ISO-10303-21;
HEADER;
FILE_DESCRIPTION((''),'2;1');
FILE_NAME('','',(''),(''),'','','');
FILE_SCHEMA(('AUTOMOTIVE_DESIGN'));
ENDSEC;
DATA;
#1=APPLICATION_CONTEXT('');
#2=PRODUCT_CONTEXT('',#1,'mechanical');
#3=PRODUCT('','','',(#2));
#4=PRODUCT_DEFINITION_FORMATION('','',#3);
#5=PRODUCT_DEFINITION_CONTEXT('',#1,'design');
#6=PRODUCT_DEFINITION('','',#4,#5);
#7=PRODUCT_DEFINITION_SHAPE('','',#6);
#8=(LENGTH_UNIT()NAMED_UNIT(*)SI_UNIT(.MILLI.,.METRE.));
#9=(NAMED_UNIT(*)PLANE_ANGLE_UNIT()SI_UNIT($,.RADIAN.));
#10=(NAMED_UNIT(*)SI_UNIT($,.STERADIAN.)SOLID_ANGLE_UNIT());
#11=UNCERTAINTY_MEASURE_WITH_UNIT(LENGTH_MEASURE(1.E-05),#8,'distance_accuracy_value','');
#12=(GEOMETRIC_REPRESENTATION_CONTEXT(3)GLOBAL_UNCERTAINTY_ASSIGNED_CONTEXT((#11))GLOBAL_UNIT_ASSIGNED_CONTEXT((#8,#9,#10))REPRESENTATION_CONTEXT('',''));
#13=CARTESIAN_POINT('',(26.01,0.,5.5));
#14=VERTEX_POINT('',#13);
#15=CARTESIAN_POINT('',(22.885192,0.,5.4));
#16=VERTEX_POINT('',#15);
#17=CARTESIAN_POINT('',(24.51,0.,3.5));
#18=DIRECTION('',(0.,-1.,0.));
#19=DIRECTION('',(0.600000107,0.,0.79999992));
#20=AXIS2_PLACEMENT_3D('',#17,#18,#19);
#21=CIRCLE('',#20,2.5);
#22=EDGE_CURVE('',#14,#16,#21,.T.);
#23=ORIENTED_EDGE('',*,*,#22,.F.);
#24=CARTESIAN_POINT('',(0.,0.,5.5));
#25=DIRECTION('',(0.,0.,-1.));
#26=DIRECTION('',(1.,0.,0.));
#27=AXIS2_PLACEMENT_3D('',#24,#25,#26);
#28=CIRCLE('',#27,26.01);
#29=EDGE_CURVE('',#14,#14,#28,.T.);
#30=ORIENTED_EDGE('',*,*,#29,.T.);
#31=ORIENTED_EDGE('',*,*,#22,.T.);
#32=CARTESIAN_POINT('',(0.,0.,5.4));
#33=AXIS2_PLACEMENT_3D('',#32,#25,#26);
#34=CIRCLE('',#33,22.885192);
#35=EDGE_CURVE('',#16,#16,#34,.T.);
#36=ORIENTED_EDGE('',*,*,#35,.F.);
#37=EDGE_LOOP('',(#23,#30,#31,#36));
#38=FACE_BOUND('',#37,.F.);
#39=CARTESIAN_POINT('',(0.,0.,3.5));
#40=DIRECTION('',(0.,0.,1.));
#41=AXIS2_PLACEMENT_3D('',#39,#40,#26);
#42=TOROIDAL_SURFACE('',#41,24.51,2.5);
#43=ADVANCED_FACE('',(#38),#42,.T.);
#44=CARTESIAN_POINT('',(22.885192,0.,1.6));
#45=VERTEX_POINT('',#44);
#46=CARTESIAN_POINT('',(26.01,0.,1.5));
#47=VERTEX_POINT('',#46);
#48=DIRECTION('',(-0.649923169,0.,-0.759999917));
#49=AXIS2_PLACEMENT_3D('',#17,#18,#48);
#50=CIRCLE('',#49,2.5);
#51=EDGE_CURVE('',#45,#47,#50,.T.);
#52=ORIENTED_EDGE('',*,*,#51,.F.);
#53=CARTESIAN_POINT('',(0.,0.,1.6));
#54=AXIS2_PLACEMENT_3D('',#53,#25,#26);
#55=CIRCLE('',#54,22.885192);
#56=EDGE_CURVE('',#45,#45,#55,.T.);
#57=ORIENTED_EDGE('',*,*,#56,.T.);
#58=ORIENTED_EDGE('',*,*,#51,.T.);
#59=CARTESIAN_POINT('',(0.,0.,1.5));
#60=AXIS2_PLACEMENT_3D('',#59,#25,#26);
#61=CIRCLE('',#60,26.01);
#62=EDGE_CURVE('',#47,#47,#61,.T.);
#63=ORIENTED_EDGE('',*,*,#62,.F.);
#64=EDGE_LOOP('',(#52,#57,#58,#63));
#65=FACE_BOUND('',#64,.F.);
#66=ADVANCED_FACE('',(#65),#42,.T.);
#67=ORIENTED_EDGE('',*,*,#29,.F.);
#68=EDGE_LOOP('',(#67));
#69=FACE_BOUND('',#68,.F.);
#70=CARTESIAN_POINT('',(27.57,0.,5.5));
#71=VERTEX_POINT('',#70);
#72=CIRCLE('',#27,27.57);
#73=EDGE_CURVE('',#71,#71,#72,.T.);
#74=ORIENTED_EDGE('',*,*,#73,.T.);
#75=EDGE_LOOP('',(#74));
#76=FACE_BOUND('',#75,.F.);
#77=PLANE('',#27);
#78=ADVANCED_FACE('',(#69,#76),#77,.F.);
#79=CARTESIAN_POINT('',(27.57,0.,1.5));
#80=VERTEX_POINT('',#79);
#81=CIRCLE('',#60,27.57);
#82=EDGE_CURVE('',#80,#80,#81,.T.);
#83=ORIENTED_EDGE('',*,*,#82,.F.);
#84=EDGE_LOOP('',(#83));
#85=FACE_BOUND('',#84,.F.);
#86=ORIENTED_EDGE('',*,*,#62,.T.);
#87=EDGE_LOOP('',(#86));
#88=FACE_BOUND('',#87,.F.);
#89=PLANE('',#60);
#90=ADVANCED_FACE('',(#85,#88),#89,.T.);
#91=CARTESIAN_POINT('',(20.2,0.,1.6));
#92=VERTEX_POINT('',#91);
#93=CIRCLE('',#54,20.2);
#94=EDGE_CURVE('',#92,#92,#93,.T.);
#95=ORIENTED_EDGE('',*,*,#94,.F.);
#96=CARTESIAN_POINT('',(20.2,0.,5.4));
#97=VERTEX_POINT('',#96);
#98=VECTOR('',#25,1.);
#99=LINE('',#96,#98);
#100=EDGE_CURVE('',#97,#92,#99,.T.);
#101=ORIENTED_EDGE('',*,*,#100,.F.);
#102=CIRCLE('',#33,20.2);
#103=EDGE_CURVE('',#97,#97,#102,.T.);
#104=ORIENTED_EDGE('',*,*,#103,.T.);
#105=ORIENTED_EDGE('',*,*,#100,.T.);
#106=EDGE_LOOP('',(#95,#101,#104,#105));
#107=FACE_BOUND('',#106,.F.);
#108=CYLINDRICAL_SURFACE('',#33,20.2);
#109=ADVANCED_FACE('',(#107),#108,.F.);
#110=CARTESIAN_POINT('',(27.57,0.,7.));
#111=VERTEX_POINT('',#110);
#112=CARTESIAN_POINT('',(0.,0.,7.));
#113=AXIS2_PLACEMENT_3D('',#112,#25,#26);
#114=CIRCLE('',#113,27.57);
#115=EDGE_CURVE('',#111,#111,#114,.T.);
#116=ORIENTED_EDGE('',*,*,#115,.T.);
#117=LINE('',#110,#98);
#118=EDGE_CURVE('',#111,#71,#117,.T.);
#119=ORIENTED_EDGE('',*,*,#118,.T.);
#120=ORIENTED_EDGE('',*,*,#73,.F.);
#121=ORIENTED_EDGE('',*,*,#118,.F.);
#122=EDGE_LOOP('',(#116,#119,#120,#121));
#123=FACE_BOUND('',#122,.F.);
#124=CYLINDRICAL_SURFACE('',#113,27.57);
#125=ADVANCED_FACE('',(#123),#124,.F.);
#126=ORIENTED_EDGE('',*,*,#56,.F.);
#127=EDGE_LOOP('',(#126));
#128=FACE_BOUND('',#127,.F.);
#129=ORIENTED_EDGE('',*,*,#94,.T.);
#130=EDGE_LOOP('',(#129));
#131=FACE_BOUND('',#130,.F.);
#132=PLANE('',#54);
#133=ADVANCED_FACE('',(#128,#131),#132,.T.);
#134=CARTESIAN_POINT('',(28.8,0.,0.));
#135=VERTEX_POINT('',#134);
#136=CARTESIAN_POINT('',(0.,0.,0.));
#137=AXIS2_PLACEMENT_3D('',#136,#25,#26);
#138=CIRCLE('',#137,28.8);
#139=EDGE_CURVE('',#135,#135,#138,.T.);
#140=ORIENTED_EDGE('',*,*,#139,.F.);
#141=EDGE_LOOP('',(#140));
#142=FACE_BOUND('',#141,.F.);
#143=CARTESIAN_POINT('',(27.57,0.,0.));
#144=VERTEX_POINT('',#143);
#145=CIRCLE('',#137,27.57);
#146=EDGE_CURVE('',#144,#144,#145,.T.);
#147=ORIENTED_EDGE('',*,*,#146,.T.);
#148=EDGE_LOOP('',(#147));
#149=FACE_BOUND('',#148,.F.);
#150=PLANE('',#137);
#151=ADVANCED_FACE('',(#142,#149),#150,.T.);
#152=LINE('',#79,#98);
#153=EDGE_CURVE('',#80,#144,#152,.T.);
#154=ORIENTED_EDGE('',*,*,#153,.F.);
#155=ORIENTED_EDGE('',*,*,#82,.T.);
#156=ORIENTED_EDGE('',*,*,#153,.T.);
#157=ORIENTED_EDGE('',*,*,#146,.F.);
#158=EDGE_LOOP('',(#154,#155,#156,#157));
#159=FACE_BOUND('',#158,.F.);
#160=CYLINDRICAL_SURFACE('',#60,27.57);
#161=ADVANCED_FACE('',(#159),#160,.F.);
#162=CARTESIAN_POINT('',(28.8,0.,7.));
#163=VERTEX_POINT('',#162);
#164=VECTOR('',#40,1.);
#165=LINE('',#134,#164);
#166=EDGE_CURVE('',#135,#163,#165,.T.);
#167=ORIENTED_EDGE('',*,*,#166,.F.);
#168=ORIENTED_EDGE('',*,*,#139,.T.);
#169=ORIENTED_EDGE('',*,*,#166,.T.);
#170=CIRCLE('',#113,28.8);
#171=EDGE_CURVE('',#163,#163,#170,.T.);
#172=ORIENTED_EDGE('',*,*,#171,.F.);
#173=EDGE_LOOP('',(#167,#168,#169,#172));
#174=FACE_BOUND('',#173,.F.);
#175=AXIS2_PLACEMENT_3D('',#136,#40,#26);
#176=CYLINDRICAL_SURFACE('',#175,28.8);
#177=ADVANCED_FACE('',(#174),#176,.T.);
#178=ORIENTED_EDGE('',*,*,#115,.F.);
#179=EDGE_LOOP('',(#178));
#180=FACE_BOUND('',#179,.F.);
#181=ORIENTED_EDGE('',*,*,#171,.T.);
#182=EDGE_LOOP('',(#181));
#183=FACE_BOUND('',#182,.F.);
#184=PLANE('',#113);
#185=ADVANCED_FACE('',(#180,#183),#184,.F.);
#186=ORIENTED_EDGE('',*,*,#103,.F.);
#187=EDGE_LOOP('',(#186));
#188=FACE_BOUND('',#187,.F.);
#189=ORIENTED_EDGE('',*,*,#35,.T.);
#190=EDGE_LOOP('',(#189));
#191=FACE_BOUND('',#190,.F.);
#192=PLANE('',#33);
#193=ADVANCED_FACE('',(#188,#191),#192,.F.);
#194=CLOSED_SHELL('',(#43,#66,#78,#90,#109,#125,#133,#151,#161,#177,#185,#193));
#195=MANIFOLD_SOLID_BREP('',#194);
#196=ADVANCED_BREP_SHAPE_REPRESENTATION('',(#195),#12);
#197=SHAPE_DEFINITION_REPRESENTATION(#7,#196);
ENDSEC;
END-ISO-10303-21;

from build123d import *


with BuildPart() as f1:
    # F0 (on Front) → F1 (revolve)
    with BuildSketch(Plane.XZ):
        with BuildLine():
            ThreePointArc((22.885192, 1.6), (22.01, 3.5), (22.885192, 5.4))
            Line((22.885192, 5.4), (20.2, 5.4))
            Line((20.2, 5.4), (20.2, 1.6))
            Line((20.2, 1.6), (22.885192, 1.6))
        make_face()
        with BuildLine():
            ThreePointArc((27.01, 3.5), (26.746068, 4.618034), (26.01, 5.5))
            ThreePointArc((26.01, 5.5), (24.430036, 5.998721), (22.885192, 5.4))
            ThreePointArc((22.885192, 5.4), (22.01, 3.5), (22.885192, 1.6))
            ThreePointArc((22.885192, 1.6), (24.430036, 1.001279), (26.01, 1.5))
            ThreePointArc((26.01, 1.5), (26.746068, 2.381966), (27.01, 3.5))
        make_face()
        with BuildLine():
            Line((28.8, 0), (28.8, 7))
            Line((28.8, 7), (27.57, 7))
            Line((27.57, 7), (27.57, 5.5))
            Line((27.57, 5.5), (26.01, 5.5))
            ThreePointArc((26.01, 5.5), (26.746068, 4.618034), (27.01, 3.5))
            ThreePointArc((27.01, 3.5), (26.746068, 2.381966), (26.01, 1.5))
            Line((26.01, 1.5), (27.57, 1.5))
            Line((27.57, 1.5), (27.57, 0))
            Line((27.57, 0), (28.8, 0))
        make_face()
    revolve(axis=Axis((0, 0, 3.5), (0, 0, -1)))


solid = f1.part
